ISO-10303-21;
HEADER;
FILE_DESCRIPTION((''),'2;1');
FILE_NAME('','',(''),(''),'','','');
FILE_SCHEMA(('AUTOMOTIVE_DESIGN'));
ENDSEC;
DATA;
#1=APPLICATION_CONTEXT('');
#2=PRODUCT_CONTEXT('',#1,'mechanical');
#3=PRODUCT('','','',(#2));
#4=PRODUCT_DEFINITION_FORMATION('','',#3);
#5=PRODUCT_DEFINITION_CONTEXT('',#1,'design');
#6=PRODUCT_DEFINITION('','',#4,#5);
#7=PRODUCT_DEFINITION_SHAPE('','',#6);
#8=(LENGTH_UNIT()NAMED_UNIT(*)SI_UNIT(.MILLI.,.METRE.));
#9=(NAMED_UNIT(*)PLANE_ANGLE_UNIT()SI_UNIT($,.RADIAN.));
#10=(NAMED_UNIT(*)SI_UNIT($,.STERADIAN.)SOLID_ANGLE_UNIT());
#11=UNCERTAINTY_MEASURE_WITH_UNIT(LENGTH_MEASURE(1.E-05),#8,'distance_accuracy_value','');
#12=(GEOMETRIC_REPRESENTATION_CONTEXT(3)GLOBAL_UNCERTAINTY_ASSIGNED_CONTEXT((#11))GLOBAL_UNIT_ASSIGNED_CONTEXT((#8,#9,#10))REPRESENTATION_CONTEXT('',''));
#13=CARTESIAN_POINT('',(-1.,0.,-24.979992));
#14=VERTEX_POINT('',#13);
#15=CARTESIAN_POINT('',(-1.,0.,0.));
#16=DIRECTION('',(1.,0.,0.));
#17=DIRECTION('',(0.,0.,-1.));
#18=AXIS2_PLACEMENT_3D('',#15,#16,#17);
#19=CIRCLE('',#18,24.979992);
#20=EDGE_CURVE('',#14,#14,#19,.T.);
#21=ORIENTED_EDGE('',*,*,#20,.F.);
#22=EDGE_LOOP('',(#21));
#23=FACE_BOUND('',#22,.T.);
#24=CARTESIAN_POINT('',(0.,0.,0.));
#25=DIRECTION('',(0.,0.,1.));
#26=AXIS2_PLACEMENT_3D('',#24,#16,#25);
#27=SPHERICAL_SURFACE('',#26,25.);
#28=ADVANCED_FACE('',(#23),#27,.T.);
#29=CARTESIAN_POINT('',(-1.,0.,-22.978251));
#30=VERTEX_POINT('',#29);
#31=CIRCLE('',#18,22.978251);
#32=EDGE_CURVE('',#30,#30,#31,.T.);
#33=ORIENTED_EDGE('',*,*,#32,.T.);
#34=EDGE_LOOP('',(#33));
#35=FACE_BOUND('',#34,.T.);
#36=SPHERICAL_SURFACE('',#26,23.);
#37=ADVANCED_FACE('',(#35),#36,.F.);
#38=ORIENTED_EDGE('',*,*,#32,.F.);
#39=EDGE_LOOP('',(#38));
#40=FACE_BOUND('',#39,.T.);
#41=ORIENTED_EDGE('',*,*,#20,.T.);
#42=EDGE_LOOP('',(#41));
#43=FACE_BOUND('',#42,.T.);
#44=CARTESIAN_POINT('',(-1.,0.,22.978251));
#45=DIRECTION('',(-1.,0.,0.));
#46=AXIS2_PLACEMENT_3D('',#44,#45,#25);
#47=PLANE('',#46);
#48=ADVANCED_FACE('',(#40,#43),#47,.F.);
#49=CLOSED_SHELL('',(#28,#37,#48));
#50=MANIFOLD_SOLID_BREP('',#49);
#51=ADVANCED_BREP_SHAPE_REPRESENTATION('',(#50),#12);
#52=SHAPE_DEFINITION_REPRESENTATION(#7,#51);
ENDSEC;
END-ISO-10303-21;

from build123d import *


with BuildPart() as part:
    # 草图1 → 旋转1 (revolve)
    with BuildSketch(Plane(origin=(0, 0, 0), x_dir=(1, 0, 0), z_dir=(0, 1, 0))):
        with BuildLine():
            Line((-23, 0), (-25, 0))
            ThreePointArc((-25, 0), (-18.027756377, -17.320508076), (-1, -24.979991994))
            Line((-1, -24.979991994), (-1, -22.978250586))
            ThreePointArc((-1, -22.978250586), (-16.613247726, -15.905973721), (-23, 0))
        make_face()
    revolve(axis=Axis((0, 0, 0), (-1, 0, 0)))


solid = part.part
